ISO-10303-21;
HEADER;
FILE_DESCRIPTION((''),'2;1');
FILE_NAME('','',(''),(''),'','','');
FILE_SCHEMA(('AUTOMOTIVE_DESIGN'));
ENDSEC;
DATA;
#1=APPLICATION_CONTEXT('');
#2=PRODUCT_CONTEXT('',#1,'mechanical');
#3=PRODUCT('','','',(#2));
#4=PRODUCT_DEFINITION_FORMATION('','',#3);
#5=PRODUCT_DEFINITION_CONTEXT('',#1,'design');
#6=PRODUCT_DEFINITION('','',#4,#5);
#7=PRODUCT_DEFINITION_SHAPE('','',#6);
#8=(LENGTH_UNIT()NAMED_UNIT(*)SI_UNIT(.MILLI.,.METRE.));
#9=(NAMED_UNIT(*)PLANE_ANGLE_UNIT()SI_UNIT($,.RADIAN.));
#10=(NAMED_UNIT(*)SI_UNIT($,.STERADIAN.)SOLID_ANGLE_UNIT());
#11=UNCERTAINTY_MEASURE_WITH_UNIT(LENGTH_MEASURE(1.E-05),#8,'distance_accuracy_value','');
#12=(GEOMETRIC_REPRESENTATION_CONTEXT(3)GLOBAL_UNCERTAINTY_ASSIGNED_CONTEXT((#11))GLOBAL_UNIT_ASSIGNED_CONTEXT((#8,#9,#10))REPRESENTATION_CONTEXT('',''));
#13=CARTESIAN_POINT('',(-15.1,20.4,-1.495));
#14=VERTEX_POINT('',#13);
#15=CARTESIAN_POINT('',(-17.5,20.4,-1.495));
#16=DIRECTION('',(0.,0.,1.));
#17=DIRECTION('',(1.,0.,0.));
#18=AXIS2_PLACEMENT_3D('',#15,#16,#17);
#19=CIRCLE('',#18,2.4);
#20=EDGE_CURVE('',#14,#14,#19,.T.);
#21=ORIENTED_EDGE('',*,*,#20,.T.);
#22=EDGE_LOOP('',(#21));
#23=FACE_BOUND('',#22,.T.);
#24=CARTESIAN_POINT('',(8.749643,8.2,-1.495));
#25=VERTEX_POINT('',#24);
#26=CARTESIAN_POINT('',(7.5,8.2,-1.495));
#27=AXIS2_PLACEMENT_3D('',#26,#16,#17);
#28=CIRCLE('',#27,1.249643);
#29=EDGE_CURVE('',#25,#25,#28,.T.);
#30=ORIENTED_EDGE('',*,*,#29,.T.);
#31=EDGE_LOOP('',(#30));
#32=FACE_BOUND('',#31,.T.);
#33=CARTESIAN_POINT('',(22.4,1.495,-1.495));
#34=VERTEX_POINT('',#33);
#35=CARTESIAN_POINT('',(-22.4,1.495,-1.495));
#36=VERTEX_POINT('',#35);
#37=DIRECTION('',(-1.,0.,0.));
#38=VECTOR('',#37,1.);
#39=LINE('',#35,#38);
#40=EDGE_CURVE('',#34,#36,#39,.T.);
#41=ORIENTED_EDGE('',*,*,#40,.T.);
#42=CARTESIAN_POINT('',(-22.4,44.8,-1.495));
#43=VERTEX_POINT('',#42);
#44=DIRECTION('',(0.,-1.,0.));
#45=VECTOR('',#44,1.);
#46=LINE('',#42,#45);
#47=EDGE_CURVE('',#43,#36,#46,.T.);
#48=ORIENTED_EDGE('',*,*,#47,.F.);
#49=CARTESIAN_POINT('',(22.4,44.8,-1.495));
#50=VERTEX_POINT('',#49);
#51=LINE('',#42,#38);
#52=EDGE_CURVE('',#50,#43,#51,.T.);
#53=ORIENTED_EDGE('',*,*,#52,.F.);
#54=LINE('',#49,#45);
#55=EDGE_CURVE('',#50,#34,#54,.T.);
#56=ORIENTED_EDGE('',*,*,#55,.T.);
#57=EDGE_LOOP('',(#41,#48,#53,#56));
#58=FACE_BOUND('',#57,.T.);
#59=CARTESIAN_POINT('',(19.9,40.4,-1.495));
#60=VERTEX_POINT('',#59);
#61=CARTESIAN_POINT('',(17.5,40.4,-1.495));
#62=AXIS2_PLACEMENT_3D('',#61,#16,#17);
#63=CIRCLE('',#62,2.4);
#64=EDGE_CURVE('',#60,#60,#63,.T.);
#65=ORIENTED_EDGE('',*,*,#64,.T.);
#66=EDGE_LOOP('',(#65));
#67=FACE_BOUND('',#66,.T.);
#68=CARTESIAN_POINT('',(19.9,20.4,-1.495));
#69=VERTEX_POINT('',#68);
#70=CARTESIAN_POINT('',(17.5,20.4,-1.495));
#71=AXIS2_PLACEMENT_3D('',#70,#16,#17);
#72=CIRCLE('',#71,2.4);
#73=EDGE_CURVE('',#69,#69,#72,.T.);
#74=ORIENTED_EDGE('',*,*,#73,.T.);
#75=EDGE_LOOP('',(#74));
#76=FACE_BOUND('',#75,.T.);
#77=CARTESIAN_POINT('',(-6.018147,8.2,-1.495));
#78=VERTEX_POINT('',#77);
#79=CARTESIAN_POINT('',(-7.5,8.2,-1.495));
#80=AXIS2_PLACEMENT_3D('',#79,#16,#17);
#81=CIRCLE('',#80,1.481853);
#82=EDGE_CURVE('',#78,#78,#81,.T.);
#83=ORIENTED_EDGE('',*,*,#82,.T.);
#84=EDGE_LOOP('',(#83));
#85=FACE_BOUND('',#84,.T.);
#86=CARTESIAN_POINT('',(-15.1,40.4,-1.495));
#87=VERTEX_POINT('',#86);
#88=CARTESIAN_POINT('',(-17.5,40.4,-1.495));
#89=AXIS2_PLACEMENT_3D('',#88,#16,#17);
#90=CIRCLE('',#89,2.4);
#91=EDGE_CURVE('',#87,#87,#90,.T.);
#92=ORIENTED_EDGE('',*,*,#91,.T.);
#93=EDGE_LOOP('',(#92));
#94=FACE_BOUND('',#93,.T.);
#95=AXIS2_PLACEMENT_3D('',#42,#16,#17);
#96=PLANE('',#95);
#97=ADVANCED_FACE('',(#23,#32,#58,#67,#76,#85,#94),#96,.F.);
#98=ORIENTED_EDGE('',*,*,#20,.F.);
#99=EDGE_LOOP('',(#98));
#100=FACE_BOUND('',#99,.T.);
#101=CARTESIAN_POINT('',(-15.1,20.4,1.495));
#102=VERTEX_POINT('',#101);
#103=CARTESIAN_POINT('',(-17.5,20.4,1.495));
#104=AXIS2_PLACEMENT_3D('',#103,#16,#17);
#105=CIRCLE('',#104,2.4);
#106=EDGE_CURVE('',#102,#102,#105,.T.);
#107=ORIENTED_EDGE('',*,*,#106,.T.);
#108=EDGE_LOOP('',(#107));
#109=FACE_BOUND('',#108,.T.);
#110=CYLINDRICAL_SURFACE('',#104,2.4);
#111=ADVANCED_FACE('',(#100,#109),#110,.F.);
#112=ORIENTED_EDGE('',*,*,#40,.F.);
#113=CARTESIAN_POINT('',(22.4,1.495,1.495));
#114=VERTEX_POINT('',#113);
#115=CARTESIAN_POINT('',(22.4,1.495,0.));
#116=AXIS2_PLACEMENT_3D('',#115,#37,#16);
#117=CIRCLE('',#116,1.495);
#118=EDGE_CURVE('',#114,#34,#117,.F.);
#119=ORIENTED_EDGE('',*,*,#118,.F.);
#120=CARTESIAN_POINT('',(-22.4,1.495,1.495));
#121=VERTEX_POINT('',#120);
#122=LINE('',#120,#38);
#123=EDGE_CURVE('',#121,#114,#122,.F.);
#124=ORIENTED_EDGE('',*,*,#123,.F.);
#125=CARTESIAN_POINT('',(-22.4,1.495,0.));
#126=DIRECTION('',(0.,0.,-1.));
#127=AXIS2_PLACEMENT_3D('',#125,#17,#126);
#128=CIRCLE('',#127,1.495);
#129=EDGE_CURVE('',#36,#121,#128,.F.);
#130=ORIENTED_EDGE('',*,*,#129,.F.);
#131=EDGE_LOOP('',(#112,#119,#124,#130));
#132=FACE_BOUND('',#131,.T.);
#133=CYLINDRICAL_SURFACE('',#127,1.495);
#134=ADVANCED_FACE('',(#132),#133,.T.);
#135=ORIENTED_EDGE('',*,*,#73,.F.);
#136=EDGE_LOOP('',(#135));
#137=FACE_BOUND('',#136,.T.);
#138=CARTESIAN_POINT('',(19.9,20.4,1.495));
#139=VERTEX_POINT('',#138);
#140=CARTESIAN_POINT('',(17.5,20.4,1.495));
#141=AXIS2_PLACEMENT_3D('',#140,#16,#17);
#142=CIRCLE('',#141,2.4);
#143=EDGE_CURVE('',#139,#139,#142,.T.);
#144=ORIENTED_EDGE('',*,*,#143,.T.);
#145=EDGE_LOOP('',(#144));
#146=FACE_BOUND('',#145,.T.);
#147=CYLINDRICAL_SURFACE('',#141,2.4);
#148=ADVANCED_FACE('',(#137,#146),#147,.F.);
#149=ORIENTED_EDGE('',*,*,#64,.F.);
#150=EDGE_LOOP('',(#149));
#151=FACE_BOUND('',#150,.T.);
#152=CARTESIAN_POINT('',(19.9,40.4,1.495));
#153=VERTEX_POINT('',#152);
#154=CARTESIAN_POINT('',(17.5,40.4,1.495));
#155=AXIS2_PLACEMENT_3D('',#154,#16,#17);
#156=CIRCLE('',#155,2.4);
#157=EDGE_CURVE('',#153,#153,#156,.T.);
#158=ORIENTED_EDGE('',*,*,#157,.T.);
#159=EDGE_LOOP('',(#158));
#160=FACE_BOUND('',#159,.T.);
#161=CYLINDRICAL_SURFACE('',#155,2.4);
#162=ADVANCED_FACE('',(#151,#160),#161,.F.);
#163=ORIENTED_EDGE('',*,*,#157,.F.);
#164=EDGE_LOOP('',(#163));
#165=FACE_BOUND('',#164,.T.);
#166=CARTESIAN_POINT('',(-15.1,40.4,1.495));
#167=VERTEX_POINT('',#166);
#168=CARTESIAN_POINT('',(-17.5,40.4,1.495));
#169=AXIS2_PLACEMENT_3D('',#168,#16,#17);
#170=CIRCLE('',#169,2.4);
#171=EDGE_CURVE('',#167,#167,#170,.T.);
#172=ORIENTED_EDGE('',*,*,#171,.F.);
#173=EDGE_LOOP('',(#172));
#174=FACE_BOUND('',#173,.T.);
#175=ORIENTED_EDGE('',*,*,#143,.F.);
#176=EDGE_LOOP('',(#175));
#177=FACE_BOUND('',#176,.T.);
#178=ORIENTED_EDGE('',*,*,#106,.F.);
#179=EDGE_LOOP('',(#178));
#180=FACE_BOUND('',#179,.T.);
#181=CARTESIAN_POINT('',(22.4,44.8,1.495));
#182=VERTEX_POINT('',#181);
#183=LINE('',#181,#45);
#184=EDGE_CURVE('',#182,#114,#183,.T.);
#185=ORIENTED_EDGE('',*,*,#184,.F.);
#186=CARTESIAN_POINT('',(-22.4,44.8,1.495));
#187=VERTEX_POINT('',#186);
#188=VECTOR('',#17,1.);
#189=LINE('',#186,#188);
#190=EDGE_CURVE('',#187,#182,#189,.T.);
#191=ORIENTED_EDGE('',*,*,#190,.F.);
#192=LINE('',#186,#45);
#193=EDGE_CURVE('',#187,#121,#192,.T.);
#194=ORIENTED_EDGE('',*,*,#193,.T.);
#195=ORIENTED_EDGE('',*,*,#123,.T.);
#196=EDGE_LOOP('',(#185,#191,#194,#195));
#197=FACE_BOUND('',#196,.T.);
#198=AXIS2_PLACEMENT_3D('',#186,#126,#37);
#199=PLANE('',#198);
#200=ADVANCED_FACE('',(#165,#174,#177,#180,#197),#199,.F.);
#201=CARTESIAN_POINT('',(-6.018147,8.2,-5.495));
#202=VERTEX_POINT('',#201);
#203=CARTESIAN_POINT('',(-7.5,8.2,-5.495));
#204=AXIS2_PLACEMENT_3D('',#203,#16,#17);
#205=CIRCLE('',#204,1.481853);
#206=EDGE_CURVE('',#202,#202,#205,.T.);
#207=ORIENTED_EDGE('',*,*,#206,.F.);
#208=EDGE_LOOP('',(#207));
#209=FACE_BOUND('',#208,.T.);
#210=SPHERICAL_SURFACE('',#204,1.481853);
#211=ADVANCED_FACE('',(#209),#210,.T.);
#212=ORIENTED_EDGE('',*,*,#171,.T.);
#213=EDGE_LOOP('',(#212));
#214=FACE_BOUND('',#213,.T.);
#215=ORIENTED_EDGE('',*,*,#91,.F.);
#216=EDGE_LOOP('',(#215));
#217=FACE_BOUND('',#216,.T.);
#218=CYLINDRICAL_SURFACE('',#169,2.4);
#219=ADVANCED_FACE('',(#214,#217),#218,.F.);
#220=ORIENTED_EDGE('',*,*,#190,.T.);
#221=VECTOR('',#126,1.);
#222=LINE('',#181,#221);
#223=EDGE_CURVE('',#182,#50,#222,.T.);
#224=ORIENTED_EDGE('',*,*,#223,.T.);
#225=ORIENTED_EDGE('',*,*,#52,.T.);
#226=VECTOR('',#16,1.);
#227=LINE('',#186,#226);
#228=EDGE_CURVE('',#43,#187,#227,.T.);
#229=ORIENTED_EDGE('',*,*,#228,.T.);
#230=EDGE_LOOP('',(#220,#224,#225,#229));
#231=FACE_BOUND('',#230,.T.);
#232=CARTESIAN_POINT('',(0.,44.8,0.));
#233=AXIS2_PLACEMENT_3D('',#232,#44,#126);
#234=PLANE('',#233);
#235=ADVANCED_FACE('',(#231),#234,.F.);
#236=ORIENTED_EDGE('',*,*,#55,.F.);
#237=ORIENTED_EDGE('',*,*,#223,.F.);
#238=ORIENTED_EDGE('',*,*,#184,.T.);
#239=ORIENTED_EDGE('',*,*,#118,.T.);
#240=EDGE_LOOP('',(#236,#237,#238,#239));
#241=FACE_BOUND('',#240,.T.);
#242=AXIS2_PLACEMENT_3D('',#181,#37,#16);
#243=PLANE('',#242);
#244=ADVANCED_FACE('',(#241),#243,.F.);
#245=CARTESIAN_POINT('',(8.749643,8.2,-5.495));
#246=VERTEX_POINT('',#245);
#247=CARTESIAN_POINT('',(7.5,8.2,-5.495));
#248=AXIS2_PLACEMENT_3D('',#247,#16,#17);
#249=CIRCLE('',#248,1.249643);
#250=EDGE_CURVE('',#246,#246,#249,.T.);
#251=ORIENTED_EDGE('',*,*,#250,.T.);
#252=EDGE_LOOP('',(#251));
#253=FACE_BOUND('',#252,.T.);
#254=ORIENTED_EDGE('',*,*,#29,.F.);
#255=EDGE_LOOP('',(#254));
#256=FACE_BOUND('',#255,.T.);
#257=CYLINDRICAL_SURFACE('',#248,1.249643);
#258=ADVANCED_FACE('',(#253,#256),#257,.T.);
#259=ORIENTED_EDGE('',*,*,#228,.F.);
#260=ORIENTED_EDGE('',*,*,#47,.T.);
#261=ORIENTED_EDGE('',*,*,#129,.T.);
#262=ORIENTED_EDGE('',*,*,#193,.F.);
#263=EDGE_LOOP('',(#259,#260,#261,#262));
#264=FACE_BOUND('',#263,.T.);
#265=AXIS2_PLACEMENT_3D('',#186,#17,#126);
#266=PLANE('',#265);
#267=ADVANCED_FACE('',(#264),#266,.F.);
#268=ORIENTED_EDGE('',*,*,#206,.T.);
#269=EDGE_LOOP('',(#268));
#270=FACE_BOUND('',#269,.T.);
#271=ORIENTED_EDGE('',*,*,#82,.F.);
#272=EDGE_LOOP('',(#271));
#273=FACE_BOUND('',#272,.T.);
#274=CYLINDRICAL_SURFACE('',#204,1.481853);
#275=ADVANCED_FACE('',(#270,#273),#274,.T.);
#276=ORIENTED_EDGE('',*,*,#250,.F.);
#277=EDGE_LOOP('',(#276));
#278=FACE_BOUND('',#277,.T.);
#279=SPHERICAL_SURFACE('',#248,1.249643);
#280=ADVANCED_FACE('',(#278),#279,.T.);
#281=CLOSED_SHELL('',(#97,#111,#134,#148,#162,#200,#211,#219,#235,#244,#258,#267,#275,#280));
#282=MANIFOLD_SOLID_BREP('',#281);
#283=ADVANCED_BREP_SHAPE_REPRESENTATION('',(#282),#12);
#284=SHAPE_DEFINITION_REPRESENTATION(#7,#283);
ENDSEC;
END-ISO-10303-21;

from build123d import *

# Parameters (mm, degrees)
SKETCH1_W            = 44.8
SKETCH1_H            = 2.99
BOSS_EXTRUDE1_DEPTH  = 44.8
FILLET1_RADIUS       = 1.495
FILLET1_LENGTH       = 44.8
M4_CLEARANCE_HOLE1_D = 4.8
SKETCH8_R            = 1.481852537
SKETCH8_R_2          = 1.249642824
BOSS_EXTRUDE2_DEPTH  = 6.99
REVOLVE1_ANGLE       = 180
REVOLVE2_ANGLE       = 180


with BuildPart() as part:
    # Sketch1 → Boss-Extrude1 (new body)
    with BuildSketch(Plane(origin=(0, 0, 0), x_dir=(1, 0, 0), z_dir=(0, 1, 0))):
        Rectangle(SKETCH1_W, SKETCH1_H)
    extrude(amount=BOSS_EXTRUDE1_DEPTH)

    # Fillet1: full round fillet: the end face becomes a half cylinder, R = half its width
    fillet1_face = Plane((0, 0, 0), x_dir=(-1, 0, 0), z_dir=(0, -1, 0))  # on the end face: x along it, z out of the body
    fillet1_slab = fillet1_face.offset(-FILLET1_RADIUS / 2) * Box(FILLET1_LENGTH, 2 * FILLET1_RADIUS, FILLET1_RADIUS, mode=Mode.PRIVATE)  # the body's end, R deep
    fillet1_round = Plane((0, 1.495, 0), x_dir=(0, -1, 0), z_dir=(-1, 0, 0)) * Cylinder(FILLET1_RADIUS, FILLET1_LENGTH, mode=Mode.PRIVATE)  # its axis R under the face
    add(fillet1_slab - fillet1_round, mode=Mode.SUBTRACT)

    # M4 Clearance Hole1 (through all)
    with Locations(Plane.XY.offset(1.495)):
        with Locations((-17.5, 40.4), (-17.5, 20.4), (17.5, 20.4), (17.5, 40.4)):
            Hole(M4_CLEARANCE_HOLE1_D / 2)

    # Sketch8 → Boss-Extrude2 (add)
    with BuildSketch(Plane.XY.offset(1.495)):
        with Locations((-7.5, 8.2)):
            Circle(SKETCH8_R)
        with Locations((7.5, 8.2)):
            Circle(SKETCH8_R_2)
    extrude(amount=-BOSS_EXTRUDE2_DEPTH)

    # Sketch9 → Revolve1 (revolve)
    with BuildSketch(Plane(origin=(0, 0, -5.495), x_dir=(-1, 0, 0), z_dir=(0, 0, -1))):
        with BuildLine():
            Line((7.5, 9.681852537), (7.5, 6.718147463))
            ThreePointArc((7.5, 6.718147463), (8.981852537, 8.2), (7.5, 9.681852537))
        make_face()
    revolve(axis=Axis((-7.5, 9.681852537, -5.495), (0, -1, 0)), revolution_arc=REVOLVE1_ANGLE)

    # Sketch10 → Revolve2 (revolve)
    with BuildSketch(Plane(origin=(0, 0, -5.495), x_dir=(-1, 0, 0), z_dir=(0, 0, -1))):
        with BuildLine():
            Line((-7.5, 9.449642824), (-7.5, 6.950357176))
            ThreePointArc((-7.5, 6.950357176), (-6.250357176, 8.2), (-7.5, 9.449642824))
        make_face()
    revolve(axis=Axis((7.5, 9.449642824, -5.495), (0, -1, 0)), revolution_arc=REVOLVE2_ANGLE)


solid = part.part
